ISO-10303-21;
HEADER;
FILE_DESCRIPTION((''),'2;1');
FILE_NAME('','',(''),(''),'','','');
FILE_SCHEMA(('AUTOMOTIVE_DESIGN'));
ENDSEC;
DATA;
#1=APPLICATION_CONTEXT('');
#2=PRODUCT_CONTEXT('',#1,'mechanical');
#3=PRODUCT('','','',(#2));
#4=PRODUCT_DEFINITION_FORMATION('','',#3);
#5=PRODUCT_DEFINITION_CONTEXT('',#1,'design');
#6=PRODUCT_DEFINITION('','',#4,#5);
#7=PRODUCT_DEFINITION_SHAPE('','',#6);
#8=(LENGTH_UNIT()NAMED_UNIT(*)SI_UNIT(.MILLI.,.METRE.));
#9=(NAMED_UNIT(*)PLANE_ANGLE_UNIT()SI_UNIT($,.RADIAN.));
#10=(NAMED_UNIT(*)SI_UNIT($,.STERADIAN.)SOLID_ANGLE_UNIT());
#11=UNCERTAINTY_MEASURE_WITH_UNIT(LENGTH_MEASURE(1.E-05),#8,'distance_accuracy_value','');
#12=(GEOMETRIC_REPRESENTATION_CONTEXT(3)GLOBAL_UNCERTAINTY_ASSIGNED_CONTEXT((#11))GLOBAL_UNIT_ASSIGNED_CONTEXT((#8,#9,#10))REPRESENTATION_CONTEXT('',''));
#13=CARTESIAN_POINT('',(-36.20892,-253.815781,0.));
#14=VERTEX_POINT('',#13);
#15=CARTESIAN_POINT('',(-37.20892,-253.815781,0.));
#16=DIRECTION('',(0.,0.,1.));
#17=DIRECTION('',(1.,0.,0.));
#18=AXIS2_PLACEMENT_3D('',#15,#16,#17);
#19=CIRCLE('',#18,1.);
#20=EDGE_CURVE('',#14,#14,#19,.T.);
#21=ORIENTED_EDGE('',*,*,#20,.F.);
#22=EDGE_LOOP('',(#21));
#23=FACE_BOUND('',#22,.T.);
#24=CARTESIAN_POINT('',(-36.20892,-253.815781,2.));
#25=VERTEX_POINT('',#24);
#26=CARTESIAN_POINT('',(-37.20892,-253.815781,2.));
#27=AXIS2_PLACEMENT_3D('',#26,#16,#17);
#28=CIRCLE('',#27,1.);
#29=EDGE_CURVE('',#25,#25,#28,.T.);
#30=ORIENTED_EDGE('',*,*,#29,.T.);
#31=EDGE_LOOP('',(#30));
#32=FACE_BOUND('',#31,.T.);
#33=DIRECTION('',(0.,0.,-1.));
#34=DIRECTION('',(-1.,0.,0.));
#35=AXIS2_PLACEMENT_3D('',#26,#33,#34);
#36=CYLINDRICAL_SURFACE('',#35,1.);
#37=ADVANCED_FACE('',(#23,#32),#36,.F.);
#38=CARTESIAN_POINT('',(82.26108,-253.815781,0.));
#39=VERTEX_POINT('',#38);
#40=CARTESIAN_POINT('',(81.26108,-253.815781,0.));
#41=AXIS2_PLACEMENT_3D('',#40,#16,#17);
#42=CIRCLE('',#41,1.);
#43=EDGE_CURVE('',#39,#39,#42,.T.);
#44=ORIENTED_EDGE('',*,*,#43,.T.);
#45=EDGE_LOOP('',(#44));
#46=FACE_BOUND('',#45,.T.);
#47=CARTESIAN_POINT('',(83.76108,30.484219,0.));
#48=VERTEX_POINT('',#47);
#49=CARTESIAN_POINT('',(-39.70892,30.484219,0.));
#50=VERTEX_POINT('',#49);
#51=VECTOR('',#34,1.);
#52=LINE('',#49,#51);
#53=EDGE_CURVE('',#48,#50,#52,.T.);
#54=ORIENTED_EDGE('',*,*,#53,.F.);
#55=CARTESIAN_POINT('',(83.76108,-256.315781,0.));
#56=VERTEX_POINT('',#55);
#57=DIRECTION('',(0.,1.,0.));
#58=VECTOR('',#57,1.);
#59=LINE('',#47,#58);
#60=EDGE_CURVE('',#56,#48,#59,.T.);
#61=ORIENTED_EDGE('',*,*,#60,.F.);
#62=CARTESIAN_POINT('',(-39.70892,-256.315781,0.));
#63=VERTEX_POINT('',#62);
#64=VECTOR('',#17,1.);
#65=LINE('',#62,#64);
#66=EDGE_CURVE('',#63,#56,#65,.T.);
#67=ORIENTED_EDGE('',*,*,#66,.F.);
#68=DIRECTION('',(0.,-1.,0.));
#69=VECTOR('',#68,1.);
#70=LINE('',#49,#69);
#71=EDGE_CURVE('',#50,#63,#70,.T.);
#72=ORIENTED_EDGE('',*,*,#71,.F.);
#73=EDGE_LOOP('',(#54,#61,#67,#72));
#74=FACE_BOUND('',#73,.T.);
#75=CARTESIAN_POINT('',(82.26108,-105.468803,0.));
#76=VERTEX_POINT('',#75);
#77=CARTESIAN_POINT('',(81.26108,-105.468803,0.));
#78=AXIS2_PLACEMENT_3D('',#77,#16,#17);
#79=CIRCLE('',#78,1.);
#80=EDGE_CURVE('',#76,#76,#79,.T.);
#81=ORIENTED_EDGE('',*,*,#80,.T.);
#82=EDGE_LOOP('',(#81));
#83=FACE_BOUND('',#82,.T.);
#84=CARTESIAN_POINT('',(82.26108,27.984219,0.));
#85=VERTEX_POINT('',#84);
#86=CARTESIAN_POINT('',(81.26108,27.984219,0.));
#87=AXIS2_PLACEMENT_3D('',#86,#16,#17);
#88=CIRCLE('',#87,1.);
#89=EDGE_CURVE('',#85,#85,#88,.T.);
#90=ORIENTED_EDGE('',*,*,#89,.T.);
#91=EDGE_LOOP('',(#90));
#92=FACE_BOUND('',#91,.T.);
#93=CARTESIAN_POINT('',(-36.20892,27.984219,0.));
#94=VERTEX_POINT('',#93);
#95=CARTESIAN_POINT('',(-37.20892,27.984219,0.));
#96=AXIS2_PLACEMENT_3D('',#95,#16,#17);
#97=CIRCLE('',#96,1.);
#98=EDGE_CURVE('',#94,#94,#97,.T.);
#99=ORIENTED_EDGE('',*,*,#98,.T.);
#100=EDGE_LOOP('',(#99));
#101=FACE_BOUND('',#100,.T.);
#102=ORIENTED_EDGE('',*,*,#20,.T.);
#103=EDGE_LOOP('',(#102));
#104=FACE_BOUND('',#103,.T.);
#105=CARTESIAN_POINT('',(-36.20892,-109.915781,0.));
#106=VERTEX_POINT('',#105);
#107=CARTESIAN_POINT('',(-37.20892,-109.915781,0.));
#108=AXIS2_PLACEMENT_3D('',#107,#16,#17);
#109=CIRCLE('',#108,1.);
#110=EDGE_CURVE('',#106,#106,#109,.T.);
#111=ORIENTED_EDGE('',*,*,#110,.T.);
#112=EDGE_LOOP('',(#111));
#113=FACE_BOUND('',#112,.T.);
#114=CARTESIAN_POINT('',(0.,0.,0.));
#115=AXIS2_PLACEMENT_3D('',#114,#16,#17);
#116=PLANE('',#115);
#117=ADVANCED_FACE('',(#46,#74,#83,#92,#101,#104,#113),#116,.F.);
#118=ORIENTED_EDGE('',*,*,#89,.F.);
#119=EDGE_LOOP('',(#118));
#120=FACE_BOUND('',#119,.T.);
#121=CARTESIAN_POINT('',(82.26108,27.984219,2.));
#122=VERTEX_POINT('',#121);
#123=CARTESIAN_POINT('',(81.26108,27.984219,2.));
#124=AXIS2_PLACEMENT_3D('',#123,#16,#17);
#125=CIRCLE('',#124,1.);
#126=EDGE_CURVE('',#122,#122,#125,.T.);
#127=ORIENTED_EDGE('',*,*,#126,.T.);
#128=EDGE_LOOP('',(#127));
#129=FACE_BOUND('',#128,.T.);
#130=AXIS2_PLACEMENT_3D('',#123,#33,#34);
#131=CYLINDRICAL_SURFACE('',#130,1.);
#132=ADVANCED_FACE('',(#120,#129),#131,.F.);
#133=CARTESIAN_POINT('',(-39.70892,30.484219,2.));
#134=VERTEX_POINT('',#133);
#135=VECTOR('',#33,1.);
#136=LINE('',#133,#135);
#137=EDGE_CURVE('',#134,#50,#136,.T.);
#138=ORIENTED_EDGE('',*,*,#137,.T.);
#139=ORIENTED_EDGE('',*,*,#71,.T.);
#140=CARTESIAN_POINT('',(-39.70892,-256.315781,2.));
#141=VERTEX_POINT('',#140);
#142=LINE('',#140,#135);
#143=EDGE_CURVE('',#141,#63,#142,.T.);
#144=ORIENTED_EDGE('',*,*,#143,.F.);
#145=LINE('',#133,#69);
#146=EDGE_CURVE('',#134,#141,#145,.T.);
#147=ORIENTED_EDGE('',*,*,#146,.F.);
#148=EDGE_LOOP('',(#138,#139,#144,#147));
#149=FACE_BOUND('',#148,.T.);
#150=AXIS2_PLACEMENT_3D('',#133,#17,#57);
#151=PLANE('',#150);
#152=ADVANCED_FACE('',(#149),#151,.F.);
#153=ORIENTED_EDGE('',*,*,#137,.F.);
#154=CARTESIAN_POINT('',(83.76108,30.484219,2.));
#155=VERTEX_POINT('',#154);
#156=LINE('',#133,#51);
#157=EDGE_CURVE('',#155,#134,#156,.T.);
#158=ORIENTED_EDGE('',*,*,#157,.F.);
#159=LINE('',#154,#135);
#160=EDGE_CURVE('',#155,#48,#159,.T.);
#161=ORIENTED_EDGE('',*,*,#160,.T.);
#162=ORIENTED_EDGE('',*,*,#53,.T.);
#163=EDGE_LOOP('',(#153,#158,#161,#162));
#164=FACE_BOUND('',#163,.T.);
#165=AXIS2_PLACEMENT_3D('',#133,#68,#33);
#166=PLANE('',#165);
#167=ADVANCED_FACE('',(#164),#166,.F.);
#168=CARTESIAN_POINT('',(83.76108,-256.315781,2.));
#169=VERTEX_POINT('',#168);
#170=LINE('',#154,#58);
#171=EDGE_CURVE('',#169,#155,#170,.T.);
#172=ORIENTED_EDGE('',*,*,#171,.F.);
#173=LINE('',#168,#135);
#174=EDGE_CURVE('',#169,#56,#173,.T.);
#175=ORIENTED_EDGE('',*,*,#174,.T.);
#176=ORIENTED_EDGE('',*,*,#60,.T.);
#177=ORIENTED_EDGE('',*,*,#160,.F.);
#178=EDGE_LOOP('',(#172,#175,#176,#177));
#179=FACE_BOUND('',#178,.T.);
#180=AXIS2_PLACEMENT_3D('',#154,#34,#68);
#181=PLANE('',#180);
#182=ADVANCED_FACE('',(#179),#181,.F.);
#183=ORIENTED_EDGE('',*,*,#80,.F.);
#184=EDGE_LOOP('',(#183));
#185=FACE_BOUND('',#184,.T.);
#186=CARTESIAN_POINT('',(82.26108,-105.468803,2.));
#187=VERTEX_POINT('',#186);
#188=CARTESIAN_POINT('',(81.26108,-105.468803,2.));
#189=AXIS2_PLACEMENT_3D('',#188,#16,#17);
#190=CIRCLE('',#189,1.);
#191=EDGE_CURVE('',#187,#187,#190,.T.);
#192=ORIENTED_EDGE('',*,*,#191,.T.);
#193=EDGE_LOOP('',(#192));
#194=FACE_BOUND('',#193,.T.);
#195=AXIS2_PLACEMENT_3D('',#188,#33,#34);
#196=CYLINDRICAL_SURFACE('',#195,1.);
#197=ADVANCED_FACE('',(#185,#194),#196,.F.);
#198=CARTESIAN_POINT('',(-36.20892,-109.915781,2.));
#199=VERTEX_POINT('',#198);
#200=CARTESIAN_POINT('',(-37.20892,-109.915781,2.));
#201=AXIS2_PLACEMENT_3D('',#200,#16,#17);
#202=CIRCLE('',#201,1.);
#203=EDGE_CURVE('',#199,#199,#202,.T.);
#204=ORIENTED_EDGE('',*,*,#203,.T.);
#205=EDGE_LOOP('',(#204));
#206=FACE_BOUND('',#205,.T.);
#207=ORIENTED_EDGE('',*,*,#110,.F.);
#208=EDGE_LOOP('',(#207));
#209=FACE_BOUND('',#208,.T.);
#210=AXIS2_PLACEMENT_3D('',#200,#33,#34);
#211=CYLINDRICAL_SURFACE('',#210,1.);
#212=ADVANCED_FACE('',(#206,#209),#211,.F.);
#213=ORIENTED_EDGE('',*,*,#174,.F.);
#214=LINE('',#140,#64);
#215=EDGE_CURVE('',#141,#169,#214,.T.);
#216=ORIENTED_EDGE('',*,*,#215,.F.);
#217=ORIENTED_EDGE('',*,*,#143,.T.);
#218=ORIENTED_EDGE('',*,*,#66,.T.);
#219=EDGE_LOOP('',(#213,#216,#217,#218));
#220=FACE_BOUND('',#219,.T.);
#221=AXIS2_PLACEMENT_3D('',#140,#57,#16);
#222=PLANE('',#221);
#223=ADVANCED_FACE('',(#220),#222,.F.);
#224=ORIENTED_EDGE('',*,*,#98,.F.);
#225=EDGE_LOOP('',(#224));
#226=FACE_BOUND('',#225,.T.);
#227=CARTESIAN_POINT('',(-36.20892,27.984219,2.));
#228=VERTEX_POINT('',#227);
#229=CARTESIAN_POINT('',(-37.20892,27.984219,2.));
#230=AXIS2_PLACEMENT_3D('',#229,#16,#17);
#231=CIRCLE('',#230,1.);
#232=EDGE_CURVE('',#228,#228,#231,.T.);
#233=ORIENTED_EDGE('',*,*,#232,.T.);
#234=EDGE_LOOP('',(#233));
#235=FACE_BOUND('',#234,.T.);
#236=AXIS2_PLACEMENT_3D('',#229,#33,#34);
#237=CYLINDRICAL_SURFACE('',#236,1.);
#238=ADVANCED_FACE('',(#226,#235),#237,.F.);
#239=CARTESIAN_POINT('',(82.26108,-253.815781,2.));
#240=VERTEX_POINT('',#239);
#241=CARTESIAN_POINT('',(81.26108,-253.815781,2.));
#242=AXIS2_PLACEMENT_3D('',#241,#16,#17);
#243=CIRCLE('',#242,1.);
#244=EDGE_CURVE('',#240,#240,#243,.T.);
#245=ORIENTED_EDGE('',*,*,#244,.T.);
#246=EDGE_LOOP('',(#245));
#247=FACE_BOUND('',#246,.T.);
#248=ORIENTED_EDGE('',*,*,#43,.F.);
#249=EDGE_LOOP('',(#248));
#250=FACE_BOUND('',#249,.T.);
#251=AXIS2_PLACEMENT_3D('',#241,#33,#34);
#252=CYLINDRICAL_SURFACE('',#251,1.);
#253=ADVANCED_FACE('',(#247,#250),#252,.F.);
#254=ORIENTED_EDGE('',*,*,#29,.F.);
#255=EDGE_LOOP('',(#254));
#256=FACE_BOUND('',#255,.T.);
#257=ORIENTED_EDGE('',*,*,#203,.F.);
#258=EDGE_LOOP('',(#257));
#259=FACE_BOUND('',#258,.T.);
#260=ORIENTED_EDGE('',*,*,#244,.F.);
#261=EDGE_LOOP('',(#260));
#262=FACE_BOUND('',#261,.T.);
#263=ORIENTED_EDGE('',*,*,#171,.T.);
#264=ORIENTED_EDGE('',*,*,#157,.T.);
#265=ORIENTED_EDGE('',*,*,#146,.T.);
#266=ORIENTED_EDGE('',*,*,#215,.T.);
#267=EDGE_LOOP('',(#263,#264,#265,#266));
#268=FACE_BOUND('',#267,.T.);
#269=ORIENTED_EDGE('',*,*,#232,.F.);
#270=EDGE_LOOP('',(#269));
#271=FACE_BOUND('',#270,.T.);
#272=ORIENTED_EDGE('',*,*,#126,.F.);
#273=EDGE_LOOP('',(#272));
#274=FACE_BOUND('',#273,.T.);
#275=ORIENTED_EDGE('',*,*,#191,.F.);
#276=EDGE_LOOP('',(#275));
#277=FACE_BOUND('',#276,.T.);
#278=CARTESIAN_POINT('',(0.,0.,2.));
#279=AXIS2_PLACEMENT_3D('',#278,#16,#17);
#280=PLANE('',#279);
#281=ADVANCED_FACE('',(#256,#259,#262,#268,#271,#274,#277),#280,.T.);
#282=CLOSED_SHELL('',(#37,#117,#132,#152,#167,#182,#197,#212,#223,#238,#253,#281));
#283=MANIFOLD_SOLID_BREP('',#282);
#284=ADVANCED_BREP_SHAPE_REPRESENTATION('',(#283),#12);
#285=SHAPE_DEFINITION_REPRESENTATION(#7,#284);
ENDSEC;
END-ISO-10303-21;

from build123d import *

# Parameters (mm, degrees)
ESQUISSE1_W        = 123.47
ESQUISSE1_H        = 286.8
ESQUISSE1_R        = 1
BOSS_EXTRU_1_DEPTH = 2


with BuildPart() as part:
    # Esquisse1 → Boss.-Extru.1 (new body)
    with BuildSketch(Plane.XY):
        with Locations((22.026079807, -112.915780731)):
            Rectangle(ESQUISSE1_W, ESQUISSE1_H)
        with Locations((-37.208920193, 27.984219269)):
            Circle(ESQUISSE1_R, mode=Mode.SUBTRACT)
        with Locations((81.261079807, 27.984219269)):
            Circle(ESQUISSE1_R, mode=Mode.SUBTRACT)
        with Locations((-37.208920193, -253.815780731)):
            Circle(ESQUISSE1_R, mode=Mode.SUBTRACT)
        with Locations((-37.208920193, -109.915780731)):
            Circle(ESQUISSE1_R, mode=Mode.SUBTRACT)
        with Locations((81.261079807, -253.815780731)):
            Circle(ESQUISSE1_R, mode=Mode.SUBTRACT)
        with Locations((81.261079807, -105.468802806)):
            Circle(ESQUISSE1_R, mode=Mode.SUBTRACT)
    extrude(amount=BOSS_EXTRU_1_DEPTH)


solid = part.part
